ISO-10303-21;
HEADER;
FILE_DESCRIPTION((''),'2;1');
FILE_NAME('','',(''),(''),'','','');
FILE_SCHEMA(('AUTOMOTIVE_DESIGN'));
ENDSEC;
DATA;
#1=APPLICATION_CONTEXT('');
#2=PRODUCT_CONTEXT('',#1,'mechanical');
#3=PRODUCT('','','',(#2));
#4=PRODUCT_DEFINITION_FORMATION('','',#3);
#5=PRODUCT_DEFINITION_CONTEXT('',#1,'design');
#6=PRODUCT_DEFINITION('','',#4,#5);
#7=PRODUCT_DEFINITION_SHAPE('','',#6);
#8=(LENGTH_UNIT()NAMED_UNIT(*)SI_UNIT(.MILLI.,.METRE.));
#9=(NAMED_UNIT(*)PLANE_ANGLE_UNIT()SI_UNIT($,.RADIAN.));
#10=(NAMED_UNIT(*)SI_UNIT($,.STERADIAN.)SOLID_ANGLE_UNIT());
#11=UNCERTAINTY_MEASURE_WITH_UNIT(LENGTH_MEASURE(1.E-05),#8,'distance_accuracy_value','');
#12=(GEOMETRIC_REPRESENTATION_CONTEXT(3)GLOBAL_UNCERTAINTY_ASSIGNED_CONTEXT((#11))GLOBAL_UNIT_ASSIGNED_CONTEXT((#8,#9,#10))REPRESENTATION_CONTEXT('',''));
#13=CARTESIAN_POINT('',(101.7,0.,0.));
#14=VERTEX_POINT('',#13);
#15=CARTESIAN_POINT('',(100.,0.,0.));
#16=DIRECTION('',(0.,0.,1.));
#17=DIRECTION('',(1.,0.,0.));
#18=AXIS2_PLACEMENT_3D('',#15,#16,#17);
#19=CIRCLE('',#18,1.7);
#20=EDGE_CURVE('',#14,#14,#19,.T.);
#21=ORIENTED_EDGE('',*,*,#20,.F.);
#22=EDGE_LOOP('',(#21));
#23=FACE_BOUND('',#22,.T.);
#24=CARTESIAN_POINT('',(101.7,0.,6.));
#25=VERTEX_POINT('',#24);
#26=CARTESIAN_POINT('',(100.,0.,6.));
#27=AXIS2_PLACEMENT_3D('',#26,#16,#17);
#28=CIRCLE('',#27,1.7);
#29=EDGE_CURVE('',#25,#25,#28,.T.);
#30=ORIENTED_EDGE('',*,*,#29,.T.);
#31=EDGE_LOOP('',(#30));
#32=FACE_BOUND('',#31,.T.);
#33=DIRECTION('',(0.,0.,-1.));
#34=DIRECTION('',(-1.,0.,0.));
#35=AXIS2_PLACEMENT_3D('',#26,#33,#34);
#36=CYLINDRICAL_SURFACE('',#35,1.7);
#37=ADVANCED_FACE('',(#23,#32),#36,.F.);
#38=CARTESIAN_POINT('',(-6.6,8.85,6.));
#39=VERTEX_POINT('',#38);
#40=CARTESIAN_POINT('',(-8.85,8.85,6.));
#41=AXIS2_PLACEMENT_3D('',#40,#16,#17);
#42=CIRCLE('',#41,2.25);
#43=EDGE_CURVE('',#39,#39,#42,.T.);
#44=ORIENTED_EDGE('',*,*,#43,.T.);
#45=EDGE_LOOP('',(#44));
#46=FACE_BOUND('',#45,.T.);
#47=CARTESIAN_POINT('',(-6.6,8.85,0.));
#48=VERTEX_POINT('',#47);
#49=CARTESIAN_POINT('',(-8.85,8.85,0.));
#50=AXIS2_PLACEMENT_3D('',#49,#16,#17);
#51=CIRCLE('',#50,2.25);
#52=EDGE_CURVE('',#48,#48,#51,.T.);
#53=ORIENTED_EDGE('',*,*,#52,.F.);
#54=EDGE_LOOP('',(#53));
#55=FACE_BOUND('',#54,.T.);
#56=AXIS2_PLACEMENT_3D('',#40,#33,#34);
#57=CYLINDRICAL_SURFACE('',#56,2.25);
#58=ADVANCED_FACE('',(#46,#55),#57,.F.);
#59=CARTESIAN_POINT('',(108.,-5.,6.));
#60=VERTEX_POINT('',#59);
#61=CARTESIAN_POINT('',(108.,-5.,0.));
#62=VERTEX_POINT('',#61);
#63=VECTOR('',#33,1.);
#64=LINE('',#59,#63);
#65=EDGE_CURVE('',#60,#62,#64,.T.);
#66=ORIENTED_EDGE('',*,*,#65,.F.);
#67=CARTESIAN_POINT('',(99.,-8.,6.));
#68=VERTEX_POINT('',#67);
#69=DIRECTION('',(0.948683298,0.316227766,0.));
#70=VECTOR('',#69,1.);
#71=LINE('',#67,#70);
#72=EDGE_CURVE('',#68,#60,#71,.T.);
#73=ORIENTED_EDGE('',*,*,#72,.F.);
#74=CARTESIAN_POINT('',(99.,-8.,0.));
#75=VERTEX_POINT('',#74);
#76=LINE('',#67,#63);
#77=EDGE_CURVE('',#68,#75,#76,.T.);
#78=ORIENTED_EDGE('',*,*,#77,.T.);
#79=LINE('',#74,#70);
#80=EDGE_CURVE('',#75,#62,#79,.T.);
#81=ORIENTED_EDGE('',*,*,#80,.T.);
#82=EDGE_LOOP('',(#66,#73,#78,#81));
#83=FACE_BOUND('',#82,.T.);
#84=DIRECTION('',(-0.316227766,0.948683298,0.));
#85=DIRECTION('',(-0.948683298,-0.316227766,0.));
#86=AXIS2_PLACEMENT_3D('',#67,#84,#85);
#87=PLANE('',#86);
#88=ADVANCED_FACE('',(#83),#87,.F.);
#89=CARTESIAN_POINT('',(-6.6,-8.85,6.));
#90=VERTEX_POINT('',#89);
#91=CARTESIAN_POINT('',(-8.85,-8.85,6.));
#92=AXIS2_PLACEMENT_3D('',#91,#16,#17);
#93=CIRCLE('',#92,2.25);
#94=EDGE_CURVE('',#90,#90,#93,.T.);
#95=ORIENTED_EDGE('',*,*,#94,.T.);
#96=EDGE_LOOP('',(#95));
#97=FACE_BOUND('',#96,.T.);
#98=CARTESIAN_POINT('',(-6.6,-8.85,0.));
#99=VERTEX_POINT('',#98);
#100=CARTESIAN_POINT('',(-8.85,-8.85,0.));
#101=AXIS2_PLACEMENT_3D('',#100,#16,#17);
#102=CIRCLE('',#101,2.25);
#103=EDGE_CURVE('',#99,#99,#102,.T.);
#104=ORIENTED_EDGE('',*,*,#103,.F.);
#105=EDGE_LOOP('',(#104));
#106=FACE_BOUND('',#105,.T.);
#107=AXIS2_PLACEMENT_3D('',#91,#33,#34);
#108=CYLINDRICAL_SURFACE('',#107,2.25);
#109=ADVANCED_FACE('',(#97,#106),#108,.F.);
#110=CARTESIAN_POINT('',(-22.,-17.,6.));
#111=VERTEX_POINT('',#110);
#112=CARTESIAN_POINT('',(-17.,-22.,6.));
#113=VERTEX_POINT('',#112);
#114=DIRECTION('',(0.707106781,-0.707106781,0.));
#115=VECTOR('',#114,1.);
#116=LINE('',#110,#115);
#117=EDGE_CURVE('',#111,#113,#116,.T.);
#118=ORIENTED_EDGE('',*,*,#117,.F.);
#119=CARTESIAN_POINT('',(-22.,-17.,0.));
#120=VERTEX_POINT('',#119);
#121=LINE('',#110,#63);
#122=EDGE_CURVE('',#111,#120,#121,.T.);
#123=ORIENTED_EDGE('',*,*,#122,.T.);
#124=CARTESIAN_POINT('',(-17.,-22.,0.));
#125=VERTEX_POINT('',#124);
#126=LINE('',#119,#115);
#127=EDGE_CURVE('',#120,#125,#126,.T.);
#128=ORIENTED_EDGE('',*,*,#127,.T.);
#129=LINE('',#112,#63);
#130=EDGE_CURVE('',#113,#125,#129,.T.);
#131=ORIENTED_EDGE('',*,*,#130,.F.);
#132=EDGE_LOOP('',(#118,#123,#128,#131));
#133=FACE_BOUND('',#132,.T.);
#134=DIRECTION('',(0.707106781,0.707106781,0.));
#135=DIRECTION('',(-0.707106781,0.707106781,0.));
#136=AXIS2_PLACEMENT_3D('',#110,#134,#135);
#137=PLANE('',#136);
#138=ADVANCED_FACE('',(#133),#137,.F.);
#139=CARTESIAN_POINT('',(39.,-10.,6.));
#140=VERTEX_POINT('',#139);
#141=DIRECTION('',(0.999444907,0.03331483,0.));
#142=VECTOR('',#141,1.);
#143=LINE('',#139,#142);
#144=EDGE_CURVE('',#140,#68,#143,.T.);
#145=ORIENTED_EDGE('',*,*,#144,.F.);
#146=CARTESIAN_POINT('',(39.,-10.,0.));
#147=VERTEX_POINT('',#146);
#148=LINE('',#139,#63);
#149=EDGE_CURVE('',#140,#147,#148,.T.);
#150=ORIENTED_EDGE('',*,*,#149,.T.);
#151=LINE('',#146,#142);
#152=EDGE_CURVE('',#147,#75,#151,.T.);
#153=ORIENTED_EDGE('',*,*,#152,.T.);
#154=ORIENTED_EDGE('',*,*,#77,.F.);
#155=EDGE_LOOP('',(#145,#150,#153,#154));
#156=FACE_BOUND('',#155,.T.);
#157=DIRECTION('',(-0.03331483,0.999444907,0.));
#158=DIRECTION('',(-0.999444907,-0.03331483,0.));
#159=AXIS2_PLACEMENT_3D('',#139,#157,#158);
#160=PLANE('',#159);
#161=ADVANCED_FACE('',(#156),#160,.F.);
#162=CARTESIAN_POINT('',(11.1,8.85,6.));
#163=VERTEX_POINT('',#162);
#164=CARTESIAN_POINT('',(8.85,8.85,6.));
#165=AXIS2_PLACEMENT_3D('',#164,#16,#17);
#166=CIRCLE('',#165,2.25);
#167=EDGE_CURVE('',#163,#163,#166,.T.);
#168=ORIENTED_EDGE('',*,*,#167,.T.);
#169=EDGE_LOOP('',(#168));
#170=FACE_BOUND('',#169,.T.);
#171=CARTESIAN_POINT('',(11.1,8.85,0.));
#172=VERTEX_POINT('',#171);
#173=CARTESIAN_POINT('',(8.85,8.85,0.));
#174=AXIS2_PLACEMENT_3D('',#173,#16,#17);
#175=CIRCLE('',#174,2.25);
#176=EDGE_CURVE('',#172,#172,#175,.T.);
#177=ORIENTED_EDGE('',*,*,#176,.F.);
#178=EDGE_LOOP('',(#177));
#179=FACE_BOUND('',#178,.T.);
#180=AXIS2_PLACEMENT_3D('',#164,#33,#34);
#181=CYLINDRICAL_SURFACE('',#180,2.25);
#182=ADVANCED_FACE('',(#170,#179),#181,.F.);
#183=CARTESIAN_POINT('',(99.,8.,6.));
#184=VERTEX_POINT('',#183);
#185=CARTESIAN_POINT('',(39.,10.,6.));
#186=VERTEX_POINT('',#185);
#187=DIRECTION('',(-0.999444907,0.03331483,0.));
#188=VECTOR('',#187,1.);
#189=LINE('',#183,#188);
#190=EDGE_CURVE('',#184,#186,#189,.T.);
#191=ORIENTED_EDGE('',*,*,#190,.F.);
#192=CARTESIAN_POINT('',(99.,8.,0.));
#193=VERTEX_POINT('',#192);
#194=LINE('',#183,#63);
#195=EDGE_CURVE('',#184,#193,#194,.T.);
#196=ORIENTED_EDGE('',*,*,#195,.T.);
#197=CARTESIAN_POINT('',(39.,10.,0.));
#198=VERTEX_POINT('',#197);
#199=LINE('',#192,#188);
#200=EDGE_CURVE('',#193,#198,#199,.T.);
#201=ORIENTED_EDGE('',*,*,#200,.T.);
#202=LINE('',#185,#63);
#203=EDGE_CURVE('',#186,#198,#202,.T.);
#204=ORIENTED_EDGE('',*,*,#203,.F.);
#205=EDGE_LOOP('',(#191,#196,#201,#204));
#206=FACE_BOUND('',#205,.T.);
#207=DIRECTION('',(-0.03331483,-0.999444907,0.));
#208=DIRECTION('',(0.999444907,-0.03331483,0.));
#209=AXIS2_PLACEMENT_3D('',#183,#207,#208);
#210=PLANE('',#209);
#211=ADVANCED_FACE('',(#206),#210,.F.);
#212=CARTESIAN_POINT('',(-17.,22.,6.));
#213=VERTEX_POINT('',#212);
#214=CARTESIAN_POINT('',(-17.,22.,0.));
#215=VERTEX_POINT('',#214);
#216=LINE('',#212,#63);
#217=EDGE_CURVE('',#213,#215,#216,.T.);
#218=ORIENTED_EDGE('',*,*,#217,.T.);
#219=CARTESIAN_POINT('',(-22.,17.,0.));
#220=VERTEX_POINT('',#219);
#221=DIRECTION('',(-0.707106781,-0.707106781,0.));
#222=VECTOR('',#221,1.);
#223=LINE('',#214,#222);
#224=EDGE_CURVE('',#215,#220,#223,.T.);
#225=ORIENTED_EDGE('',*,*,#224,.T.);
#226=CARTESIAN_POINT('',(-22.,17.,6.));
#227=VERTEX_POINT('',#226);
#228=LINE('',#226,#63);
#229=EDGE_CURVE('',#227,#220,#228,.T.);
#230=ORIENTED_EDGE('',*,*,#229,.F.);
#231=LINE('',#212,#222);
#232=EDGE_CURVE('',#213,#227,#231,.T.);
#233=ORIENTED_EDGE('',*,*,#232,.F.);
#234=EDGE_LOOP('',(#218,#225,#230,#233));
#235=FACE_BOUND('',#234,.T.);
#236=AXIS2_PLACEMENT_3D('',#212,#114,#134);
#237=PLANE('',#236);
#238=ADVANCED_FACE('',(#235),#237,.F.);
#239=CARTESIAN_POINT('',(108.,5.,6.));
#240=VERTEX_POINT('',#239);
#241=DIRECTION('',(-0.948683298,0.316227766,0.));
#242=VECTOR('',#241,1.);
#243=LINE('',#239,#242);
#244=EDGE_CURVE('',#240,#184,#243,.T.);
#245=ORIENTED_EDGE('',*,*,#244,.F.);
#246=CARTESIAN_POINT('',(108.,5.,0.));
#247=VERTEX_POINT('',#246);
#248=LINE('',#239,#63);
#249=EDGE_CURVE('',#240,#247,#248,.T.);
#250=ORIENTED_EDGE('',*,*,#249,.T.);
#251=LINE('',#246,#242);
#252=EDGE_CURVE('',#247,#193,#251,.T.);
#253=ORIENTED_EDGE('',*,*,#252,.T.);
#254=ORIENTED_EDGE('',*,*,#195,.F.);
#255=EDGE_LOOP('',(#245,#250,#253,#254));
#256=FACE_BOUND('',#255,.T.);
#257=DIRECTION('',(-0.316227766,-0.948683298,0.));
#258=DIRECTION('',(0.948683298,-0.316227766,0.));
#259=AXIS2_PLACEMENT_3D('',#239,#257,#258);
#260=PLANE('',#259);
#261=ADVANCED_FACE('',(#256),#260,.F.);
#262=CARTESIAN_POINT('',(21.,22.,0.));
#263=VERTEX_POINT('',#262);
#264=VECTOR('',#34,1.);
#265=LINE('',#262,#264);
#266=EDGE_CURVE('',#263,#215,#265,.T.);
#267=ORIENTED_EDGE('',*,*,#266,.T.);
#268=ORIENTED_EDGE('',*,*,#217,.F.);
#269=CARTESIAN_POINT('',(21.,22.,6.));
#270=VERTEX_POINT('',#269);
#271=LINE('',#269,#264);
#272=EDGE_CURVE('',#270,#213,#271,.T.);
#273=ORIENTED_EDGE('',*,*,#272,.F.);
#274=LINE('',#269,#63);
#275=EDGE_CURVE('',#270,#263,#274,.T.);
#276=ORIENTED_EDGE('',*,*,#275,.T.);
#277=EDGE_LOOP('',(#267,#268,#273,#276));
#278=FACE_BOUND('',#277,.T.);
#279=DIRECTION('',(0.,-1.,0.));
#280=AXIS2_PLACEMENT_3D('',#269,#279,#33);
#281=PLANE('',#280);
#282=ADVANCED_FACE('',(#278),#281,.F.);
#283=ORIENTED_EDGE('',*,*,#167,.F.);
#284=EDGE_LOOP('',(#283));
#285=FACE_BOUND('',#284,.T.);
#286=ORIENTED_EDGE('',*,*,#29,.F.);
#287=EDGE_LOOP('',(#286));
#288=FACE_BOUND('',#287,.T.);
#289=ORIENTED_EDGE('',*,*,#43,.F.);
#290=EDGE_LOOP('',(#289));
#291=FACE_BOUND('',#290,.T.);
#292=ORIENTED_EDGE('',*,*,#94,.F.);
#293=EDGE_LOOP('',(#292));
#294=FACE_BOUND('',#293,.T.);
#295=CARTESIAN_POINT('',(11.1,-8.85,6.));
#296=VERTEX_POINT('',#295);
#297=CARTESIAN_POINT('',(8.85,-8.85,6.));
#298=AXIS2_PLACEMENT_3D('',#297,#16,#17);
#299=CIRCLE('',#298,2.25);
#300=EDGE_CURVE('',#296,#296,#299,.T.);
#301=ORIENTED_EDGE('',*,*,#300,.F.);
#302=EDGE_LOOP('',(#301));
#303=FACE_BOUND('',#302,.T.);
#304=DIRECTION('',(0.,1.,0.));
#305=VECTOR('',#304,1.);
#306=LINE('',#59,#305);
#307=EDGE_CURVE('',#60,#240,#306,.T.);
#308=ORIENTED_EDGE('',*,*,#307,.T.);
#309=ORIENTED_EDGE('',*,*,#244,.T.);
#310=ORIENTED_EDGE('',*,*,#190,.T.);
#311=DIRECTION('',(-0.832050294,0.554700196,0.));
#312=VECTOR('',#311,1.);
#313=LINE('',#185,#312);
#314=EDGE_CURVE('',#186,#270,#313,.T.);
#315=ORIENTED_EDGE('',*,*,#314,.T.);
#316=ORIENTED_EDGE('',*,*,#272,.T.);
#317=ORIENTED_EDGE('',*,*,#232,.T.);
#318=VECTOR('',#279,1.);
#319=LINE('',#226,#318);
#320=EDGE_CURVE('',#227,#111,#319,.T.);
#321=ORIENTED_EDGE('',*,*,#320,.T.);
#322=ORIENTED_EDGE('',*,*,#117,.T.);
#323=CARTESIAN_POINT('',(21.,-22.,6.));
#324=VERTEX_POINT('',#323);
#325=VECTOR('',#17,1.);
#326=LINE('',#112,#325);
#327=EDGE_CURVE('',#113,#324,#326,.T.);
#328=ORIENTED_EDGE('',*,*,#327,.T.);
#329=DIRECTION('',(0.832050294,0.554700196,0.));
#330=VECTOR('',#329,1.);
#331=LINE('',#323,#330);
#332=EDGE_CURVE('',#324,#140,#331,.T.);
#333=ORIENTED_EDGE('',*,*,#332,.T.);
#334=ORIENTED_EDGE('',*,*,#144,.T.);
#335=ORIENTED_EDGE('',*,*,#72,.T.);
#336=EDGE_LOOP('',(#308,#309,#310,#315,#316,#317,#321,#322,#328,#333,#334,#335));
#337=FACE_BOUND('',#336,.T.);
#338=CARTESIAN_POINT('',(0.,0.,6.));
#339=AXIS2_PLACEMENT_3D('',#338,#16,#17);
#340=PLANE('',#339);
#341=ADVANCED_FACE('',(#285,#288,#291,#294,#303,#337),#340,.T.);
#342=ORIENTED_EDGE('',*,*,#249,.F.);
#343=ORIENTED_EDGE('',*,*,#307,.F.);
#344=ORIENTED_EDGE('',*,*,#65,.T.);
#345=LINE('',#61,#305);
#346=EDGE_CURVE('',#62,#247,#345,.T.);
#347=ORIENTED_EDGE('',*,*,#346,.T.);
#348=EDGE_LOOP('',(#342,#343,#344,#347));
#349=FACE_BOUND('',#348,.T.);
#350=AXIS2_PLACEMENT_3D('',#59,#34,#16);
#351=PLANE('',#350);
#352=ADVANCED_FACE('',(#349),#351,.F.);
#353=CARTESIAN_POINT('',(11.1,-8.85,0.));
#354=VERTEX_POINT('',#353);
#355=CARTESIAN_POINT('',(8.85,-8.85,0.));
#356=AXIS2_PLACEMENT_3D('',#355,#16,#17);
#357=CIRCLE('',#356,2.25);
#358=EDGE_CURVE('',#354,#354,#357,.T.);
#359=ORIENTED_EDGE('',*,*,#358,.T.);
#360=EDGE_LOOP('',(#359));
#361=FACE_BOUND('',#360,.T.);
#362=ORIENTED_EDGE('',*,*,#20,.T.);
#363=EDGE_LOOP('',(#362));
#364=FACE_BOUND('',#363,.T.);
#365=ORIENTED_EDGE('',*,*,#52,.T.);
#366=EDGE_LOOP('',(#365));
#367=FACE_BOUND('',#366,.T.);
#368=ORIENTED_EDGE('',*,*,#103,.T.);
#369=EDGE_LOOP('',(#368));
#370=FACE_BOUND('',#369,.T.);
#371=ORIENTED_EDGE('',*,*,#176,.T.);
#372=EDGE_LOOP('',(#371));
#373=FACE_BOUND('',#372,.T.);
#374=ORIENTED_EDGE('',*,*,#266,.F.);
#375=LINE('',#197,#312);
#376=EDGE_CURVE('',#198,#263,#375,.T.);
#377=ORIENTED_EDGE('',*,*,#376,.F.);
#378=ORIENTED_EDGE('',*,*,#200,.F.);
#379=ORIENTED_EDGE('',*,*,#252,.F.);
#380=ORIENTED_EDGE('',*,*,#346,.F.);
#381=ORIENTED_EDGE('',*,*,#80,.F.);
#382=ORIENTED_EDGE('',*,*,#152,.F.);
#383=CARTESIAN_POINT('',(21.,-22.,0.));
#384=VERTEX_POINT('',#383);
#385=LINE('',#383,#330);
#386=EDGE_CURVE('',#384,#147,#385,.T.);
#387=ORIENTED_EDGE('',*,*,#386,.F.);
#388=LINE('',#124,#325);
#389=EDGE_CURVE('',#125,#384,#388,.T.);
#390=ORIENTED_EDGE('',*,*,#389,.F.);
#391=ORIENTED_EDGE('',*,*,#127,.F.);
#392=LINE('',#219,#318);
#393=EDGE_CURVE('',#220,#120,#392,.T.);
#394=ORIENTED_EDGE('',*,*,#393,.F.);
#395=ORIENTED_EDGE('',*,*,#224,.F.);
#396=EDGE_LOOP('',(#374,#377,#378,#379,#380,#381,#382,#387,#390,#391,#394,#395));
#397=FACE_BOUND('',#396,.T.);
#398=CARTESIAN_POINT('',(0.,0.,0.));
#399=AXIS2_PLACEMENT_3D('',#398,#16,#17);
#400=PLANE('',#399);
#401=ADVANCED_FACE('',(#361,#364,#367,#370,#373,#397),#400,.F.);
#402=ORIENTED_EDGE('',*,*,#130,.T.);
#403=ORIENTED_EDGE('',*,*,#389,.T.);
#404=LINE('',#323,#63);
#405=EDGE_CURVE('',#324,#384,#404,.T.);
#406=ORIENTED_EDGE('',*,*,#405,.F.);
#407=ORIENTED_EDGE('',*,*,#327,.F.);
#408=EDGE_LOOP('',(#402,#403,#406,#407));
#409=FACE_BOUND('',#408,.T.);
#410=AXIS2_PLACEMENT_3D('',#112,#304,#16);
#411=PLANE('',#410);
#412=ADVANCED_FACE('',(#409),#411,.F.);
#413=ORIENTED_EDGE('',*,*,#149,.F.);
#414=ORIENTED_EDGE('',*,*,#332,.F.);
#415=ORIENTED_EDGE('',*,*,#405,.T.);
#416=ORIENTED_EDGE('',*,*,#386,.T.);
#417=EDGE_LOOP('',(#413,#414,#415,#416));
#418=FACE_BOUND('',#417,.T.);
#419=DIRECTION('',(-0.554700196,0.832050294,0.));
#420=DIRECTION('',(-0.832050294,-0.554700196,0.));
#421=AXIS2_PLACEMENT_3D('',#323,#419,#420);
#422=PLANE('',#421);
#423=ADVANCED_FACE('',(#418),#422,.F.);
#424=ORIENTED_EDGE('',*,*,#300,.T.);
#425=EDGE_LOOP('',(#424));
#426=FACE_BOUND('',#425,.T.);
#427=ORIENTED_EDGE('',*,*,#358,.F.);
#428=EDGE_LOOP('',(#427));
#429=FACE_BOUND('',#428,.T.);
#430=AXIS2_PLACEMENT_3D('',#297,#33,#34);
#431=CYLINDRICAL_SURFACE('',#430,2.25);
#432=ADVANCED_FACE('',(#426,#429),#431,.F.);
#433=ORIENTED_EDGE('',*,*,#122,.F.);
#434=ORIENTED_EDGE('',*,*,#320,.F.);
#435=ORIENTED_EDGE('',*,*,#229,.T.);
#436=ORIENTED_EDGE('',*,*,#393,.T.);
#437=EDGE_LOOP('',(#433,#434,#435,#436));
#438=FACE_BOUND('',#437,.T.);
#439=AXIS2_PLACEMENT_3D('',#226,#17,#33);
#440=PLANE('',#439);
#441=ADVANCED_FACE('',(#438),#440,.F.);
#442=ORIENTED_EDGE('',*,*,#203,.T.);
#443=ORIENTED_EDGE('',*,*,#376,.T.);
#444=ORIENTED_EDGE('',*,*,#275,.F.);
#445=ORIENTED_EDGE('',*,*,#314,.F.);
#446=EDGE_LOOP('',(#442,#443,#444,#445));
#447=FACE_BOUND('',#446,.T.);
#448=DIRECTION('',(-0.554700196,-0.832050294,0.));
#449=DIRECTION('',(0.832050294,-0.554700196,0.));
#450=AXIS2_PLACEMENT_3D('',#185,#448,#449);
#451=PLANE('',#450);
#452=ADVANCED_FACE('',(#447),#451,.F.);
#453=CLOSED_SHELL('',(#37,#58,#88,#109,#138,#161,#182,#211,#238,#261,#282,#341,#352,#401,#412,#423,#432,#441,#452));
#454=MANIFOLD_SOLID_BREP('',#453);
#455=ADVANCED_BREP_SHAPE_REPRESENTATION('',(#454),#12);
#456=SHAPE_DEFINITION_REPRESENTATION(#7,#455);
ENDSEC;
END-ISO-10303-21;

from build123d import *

# Parameters (mm, degrees)
SKETCH_1_R        = 2.25
SKETCH_1_R_2      = 1.7
EXTRUDE_237_DEPTH = 6


with BuildPart() as part:
    # 草图1 → Extrude 237 (new body)
    with BuildSketch(Plane.XY):
        Polygon((-22, -17), (-17, -22), (21, -22), (39, -10), (99, -8), (108, -5), (108, 5), (99, 8), (39, 10), (21, 22), (-17, 22), (-22, 17), align=None)
        with Locations((-8.85, -8.85)):
            Circle(SKETCH_1_R, mode=Mode.SUBTRACT)
        with Locations((-8.85, 8.85)):
            Circle(SKETCH_1_R, mode=Mode.SUBTRACT)
        with Locations((8.85, -8.85)):
            Circle(SKETCH_1_R, mode=Mode.SUBTRACT)
        with Locations((8.85, 8.85)):
            Circle(SKETCH_1_R, mode=Mode.SUBTRACT)
        with Locations((100, 0)):
            Circle(SKETCH_1_R_2, mode=Mode.SUBTRACT)
    extrude(amount=EXTRUDE_237_DEPTH)


solid = part.part
